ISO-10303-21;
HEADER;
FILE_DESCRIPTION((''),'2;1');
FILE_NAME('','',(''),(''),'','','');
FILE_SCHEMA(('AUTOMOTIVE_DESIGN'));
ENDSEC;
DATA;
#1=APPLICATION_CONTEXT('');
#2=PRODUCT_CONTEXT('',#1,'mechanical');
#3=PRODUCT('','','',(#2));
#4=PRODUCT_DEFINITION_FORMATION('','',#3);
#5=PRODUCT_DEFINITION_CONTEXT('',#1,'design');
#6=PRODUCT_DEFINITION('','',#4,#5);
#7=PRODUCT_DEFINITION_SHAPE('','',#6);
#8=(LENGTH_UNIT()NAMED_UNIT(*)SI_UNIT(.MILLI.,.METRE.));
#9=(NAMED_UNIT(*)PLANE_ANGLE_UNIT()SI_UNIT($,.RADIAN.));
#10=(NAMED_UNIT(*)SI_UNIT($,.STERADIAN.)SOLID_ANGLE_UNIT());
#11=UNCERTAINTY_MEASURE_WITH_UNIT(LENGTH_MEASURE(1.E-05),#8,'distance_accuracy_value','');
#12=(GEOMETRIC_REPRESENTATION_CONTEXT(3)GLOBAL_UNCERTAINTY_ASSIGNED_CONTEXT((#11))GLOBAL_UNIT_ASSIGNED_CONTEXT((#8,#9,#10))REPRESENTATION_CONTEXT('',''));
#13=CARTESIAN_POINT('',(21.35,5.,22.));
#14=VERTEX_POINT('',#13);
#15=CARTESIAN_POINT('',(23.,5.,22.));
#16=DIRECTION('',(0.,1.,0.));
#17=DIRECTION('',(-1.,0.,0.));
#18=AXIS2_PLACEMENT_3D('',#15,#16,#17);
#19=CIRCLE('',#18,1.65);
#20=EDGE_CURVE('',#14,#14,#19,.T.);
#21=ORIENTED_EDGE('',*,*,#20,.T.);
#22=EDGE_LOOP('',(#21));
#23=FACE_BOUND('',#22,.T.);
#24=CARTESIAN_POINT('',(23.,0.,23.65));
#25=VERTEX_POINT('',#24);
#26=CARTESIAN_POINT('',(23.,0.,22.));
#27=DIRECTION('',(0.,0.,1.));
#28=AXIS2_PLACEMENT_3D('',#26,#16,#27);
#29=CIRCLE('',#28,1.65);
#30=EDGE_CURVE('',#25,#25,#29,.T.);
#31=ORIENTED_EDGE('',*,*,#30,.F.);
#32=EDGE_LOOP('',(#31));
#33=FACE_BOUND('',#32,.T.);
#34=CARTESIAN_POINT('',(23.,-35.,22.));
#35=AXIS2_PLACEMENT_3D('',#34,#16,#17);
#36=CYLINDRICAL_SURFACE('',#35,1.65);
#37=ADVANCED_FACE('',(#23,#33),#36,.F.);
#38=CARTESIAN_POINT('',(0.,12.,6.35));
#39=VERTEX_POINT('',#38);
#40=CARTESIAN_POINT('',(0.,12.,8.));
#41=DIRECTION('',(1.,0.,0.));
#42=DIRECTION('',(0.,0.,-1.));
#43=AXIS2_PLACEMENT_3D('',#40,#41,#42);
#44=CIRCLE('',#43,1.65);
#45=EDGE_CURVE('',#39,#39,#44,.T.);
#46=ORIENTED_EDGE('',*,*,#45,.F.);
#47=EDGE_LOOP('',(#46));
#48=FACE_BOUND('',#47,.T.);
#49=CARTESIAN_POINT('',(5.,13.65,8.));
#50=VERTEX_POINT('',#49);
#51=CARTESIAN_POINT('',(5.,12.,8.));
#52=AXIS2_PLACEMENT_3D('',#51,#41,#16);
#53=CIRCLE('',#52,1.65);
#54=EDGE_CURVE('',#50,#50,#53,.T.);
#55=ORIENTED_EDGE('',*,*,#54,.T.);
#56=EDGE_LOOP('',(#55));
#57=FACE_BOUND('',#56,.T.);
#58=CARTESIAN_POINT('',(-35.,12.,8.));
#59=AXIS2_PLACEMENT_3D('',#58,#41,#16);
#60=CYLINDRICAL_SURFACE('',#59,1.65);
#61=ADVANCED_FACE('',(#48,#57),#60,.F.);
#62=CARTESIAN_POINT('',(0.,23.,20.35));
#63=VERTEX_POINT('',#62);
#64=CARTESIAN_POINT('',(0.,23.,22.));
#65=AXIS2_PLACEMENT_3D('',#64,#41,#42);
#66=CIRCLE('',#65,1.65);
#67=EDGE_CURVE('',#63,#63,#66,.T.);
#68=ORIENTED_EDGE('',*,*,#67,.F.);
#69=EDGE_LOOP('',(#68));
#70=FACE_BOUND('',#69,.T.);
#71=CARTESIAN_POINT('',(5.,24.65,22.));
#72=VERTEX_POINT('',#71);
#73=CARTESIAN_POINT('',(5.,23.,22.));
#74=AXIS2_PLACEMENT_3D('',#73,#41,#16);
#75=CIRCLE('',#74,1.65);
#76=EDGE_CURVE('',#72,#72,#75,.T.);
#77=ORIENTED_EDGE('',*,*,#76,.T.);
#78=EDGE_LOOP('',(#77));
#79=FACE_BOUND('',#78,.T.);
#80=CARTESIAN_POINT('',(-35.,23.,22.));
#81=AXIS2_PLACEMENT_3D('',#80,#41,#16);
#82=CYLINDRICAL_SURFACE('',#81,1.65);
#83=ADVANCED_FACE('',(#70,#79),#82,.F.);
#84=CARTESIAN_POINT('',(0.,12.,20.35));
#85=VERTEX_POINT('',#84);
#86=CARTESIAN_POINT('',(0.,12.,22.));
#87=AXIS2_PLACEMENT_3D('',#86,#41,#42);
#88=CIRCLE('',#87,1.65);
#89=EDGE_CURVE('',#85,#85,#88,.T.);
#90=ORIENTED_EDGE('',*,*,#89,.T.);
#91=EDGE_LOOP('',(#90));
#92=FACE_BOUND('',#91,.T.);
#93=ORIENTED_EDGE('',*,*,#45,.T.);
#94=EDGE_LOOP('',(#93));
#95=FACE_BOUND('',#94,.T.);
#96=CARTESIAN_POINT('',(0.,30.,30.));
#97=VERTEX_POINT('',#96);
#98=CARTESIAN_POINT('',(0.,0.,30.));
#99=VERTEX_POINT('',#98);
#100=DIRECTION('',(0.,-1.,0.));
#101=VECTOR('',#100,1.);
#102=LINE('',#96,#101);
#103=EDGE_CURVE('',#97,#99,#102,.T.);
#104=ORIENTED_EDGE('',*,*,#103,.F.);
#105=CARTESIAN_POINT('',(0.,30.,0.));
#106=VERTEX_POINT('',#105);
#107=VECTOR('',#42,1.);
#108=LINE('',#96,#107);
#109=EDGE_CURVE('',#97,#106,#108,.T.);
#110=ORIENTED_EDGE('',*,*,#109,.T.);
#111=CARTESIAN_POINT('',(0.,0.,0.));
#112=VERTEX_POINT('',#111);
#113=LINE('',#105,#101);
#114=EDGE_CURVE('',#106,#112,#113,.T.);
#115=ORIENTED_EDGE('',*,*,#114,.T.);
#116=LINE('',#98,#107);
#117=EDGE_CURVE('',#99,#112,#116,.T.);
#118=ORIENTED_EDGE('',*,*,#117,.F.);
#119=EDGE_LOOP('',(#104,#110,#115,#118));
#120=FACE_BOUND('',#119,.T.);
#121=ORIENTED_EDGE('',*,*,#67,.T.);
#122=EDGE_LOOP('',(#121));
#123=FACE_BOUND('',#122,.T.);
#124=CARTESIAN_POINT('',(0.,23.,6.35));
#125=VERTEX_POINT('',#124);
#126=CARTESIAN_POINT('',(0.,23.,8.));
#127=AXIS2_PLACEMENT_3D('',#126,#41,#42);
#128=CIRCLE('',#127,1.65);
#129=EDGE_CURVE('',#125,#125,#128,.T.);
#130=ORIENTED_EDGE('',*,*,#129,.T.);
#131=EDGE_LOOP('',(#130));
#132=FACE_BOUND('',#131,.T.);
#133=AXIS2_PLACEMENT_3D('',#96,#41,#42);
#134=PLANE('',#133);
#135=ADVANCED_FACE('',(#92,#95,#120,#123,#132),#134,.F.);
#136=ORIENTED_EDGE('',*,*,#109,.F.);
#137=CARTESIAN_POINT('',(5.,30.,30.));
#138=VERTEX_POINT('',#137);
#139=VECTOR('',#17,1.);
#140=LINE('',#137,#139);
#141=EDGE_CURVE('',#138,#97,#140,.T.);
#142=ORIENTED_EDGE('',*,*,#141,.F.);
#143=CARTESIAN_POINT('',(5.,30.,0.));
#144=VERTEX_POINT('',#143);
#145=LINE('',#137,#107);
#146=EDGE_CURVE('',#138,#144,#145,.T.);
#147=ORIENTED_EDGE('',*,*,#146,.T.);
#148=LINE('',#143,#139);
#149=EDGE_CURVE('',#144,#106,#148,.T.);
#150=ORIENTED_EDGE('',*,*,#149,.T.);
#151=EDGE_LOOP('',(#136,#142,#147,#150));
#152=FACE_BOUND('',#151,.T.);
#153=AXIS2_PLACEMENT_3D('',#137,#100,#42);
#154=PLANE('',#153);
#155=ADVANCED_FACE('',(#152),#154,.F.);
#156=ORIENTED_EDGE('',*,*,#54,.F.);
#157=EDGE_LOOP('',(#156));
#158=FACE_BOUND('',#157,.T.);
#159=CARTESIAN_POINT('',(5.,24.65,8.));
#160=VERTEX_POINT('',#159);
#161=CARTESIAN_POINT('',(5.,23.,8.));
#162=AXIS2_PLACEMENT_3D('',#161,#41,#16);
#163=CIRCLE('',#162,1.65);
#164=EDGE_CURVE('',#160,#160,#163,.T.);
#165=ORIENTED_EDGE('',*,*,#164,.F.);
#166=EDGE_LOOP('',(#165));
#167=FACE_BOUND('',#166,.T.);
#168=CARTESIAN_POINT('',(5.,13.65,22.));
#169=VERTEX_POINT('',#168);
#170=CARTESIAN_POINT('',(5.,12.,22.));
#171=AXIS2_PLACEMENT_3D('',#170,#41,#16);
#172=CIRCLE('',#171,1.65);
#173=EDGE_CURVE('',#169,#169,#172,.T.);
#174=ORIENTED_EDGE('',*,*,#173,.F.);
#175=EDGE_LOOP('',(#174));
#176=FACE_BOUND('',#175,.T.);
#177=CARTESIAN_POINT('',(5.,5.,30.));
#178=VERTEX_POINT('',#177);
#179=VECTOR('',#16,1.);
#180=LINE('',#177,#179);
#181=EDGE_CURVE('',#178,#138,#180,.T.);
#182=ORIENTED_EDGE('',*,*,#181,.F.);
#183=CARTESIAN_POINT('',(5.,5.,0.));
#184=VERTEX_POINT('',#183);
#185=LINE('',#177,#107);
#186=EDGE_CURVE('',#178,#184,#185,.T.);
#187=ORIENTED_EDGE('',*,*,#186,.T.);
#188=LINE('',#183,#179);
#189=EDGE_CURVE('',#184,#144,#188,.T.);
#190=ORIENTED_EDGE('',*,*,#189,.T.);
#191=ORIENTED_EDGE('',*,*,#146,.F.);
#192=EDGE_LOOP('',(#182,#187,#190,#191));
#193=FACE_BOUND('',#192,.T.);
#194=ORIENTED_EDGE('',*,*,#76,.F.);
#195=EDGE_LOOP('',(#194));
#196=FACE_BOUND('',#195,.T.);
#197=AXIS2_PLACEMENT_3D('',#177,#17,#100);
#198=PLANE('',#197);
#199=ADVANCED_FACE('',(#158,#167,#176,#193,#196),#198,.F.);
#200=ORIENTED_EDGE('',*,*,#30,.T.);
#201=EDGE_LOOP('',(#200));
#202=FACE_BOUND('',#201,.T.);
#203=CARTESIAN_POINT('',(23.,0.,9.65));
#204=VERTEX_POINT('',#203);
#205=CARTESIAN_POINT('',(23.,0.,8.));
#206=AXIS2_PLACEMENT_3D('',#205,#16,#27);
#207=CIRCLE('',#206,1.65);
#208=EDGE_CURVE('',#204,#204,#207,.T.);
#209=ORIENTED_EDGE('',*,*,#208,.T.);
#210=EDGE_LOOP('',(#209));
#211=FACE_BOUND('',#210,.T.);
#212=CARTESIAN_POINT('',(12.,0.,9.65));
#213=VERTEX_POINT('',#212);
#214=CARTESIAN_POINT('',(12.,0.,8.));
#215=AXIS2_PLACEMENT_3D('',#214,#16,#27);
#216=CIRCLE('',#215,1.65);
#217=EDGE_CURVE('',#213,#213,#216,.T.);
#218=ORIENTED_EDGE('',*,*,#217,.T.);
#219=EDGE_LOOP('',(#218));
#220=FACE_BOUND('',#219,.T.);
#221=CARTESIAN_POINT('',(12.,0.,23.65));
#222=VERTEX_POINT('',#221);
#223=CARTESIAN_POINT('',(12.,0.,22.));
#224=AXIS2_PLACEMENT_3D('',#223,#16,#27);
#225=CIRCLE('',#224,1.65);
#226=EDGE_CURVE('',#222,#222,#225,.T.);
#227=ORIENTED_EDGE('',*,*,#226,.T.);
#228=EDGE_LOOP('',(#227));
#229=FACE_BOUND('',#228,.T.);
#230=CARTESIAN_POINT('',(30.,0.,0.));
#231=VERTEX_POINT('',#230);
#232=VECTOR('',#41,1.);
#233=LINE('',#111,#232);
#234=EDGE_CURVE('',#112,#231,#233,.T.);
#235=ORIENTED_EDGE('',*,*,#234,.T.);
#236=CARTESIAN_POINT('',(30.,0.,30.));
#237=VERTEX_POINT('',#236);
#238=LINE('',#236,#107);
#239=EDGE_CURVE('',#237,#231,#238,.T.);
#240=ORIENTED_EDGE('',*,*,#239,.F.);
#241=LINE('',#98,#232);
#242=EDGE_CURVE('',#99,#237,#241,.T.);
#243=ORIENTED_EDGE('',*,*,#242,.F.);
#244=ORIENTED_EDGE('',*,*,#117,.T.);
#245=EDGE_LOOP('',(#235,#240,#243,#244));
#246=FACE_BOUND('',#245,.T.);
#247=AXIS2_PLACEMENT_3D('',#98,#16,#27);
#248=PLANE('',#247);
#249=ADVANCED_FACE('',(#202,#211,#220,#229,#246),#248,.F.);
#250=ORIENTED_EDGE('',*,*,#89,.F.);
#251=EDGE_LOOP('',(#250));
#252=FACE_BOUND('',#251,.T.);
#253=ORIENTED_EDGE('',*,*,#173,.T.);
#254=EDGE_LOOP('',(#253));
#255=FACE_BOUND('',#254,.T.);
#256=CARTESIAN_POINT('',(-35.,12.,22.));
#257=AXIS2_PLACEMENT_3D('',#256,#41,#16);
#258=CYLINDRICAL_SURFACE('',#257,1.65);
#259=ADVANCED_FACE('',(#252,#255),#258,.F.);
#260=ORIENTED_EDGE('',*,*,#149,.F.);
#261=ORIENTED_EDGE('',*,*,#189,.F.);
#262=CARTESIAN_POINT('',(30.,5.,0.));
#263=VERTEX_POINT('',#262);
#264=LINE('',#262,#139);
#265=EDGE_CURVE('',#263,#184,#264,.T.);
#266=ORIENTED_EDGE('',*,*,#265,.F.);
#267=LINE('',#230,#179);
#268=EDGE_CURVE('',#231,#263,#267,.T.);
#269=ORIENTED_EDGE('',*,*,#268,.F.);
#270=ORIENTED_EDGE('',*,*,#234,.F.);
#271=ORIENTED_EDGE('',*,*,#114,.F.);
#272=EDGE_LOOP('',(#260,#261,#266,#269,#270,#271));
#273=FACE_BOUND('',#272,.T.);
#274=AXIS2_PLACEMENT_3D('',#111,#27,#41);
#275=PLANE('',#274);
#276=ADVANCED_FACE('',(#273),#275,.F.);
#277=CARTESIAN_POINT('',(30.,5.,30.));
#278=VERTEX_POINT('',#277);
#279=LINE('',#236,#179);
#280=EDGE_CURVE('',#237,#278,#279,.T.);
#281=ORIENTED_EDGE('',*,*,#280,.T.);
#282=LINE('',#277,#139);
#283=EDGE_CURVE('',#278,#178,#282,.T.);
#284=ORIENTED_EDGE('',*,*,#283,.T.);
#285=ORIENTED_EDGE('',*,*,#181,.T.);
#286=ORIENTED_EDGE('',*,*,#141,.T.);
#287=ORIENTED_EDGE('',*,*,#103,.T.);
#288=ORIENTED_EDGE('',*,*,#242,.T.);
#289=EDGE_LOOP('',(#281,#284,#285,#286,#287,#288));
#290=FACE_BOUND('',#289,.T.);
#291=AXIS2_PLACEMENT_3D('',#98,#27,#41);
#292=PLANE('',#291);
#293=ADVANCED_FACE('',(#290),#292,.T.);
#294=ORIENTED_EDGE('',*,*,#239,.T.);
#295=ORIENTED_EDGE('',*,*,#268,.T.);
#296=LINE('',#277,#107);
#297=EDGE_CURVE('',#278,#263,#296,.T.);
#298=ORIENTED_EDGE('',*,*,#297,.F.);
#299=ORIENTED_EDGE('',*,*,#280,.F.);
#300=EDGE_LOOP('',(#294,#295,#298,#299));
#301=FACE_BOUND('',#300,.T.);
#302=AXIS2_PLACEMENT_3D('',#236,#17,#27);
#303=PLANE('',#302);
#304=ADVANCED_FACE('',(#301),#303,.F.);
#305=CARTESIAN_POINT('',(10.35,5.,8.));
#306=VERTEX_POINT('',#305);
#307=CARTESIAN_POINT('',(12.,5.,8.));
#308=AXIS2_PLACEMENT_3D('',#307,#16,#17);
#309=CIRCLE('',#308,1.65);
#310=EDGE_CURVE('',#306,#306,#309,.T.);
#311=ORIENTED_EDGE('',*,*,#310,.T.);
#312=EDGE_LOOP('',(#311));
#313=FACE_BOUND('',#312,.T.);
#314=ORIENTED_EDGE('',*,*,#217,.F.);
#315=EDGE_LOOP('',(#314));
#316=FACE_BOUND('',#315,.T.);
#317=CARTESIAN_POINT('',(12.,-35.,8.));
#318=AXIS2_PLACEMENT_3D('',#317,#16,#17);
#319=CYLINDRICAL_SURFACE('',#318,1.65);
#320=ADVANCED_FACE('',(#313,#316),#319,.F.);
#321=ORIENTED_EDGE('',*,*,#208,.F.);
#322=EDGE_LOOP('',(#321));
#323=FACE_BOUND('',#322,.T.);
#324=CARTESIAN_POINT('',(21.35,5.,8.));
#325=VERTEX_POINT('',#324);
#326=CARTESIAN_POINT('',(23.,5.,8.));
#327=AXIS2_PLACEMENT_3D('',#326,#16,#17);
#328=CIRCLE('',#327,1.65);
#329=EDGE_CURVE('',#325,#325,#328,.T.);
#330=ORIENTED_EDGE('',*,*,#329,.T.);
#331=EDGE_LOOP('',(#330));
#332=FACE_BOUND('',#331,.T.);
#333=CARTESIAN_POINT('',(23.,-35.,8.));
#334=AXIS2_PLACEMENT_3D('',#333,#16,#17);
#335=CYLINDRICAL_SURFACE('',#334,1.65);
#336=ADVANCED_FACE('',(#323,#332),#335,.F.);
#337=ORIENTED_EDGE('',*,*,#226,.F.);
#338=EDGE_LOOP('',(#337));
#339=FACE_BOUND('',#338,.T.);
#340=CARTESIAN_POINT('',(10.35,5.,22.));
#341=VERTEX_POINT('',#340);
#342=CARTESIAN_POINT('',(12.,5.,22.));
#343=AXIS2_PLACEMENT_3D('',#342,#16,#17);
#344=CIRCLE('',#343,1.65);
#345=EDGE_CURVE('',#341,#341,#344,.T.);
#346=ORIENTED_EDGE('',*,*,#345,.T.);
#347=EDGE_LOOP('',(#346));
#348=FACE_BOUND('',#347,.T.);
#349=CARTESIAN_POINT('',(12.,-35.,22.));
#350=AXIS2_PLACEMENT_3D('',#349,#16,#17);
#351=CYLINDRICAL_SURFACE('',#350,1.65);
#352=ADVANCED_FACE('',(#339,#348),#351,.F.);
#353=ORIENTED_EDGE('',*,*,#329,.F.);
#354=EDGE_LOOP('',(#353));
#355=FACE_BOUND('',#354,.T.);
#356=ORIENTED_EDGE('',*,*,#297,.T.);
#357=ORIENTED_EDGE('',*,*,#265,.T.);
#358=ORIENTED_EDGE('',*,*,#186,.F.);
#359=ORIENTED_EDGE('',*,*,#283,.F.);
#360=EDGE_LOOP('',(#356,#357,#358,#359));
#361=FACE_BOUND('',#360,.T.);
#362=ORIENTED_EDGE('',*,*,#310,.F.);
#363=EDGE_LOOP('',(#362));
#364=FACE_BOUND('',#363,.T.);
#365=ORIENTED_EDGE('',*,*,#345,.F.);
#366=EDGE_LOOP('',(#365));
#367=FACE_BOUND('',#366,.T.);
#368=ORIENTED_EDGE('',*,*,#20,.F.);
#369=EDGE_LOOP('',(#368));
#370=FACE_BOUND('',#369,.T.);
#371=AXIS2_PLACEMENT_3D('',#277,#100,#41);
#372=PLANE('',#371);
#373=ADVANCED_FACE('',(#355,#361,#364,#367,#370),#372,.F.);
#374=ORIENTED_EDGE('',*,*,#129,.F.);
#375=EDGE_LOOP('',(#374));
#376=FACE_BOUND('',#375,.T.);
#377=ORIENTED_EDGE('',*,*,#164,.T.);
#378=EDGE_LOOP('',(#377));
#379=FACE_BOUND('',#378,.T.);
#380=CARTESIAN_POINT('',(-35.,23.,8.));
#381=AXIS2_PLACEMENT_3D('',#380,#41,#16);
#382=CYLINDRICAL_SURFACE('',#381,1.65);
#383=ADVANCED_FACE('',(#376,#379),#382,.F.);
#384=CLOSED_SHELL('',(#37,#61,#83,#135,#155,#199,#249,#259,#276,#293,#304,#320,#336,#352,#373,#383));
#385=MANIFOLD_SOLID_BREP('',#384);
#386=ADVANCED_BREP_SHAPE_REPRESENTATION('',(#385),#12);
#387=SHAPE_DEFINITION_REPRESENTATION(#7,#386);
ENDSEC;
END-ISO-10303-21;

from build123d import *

# Parameters (mm, degrees)
EXTRUDE_1_DEPTH     = 30
SKETCH_2_R          = 1.65
CUT_EXTRUDE_1_DEPTH = 40
SKETCH_3_R          = 1.65
CUT_EXTRUDE_2_DEPTH = 40


with BuildPart() as part:
    # 草图1 → 凸台-拉伸1 (new body)
    with BuildSketch(Plane.XY):
        Polygon((0, 30), (0, 0), (30, 0), (30, 5), (5, 5), (5, 30), align=None)
    extrude(amount=EXTRUDE_1_DEPTH)

    # 草图2 → 切除-拉伸1 (cut)
    with BuildSketch(Plane(origin=(0, 5, 0), x_dir=(1, 0, 0), z_dir=(0, 1, 0))):
        with Locations(Location((23, -8, 0), (0, 0, 180))):
            Circle(SKETCH_2_R)
        with Locations(Location((23, -22, 0), (0, 0, 180))):
            Circle(SKETCH_2_R)
        with Locations(Location((12, -8, 0), (0, 0, 180))):
            Circle(SKETCH_2_R)
        with Locations(Location((12, -22, 0), (0, 0, 180))):
            Circle(SKETCH_2_R)
    extrude(amount=-CUT_EXTRUDE_1_DEPTH, mode=Mode.SUBTRACT)

    # 草图3 → 切除-拉伸2 (cut)
    with BuildSketch(Plane(origin=(5, 0, 0), x_dir=(0, 0, -1), z_dir=(1, 0, 0))):
        with Locations(Location((-22, 23, 0), (0, 0, 90))):
            Circle(SKETCH_3_R)
        with Locations(Location((-22, 12, 0), (0, 0, 90))):
            Circle(SKETCH_3_R)
        with Locations(Location((-8, 23, 0), (0, 0, 90))):
            Circle(SKETCH_3_R)
        with Locations(Location((-8, 12, 0), (0, 0, 90))):
            Circle(SKETCH_3_R)
    extrude(amount=-CUT_EXTRUDE_2_DEPTH, mode=Mode.SUBTRACT)


solid = part.part
